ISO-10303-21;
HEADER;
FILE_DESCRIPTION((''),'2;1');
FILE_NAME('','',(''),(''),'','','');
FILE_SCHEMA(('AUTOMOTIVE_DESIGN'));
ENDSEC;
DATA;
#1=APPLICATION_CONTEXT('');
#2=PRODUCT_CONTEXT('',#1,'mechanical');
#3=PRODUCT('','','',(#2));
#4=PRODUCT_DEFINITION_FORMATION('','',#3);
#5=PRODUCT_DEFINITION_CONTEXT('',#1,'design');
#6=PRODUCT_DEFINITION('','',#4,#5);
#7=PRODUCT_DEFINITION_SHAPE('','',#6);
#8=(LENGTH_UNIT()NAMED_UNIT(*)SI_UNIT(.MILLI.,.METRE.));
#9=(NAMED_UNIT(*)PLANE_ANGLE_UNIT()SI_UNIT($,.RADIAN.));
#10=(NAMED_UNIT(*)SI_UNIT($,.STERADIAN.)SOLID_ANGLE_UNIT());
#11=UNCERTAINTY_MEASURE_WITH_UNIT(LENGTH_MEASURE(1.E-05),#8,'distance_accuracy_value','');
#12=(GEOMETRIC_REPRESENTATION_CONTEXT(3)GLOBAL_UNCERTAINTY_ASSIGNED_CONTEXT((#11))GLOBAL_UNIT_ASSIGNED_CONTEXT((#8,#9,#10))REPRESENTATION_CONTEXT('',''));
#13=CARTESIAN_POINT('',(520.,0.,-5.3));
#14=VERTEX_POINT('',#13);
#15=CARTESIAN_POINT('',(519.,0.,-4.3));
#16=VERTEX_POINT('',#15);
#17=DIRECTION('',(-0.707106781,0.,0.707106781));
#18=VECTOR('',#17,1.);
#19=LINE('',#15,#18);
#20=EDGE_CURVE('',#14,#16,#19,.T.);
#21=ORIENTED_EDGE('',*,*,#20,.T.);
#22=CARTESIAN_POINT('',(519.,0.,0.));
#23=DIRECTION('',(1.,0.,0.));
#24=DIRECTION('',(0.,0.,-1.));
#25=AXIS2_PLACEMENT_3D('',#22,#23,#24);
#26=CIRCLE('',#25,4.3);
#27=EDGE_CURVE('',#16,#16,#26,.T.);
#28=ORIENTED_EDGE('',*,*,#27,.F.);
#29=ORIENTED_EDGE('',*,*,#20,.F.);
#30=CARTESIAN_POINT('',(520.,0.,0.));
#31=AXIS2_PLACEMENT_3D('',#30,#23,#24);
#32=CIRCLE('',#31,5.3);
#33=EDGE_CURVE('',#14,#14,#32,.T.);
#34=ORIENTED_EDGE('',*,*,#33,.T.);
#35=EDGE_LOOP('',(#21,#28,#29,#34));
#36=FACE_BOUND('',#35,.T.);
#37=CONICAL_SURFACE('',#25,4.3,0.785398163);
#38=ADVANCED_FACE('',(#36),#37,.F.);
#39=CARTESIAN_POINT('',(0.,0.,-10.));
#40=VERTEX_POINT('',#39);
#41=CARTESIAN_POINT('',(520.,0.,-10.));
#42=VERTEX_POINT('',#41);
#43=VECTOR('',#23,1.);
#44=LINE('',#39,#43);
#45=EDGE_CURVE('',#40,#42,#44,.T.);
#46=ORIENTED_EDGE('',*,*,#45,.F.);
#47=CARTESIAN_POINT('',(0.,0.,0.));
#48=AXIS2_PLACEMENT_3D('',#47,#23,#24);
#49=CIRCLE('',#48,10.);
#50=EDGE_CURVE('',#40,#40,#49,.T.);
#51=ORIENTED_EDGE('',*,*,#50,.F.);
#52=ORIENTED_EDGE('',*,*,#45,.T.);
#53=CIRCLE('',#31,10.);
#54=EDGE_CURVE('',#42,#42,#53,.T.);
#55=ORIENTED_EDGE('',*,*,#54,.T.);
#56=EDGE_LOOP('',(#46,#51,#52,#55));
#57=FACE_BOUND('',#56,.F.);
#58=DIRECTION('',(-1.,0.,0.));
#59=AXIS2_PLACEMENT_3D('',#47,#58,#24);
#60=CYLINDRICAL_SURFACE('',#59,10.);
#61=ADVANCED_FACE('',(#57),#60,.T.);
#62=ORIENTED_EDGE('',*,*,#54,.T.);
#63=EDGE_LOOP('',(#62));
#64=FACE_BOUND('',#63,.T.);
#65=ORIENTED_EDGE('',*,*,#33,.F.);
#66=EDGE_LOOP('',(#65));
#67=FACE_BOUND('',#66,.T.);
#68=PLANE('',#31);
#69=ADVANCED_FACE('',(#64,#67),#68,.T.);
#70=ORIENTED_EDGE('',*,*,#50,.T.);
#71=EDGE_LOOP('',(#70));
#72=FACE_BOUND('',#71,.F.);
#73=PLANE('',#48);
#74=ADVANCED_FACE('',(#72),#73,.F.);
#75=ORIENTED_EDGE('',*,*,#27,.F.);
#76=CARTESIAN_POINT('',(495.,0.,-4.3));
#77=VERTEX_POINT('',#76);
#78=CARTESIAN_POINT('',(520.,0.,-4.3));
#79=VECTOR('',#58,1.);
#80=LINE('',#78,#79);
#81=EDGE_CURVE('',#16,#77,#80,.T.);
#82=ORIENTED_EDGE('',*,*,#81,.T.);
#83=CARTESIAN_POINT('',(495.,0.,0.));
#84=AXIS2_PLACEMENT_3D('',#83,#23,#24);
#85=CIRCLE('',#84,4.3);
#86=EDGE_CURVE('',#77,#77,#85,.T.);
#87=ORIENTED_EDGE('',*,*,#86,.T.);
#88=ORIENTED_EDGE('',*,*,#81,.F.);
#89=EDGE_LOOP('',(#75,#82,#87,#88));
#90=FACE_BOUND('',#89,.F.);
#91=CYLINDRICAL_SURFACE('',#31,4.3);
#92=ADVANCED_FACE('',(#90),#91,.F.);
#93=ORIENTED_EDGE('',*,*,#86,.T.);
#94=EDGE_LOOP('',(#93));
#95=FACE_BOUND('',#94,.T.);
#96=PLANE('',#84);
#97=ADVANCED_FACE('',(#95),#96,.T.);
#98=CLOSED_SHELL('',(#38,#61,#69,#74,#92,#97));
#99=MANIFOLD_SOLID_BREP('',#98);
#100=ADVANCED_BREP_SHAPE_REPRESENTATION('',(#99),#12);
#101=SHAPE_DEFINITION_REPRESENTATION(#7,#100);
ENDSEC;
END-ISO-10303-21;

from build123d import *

# Parameters (mm, degrees)
SKETCH_1_R          = 10
EXTRUDE_1_DEPTH     = 520
SKETCH_2_R          = 4.3
CUT_EXTRUDE_2_DEPTH = 25
CHAMFER_1_SIZE      = 1


with BuildPart() as part:
    # 草图1 → 拉伸1 (new body)
    with BuildSketch(Plane(origin=(0, 0, 0), x_dir=(0, 0, -1), z_dir=(1, 0, 0))):
        Circle(SKETCH_1_R)
    extrude(amount=EXTRUDE_1_DEPTH)

    # 草图2 → 拉伸2 (cut)
    with BuildSketch(Plane(origin=(520, 0, 0), x_dir=(0, 0, -1), z_dir=(1, 0, 0))):
        Circle(SKETCH_2_R)
    extrude(amount=-CUT_EXTRUDE_2_DEPTH, mode=Mode.SUBTRACT)

    # 倒角1
    chamfer_1_edges = [part.edges().sort_by_distance(p)[0] for p in [
        (520, 0, 4.3),
    ]]
    chamfer(chamfer_1_edges, length=CHAMFER_1_SIZE)


solid = part.part
